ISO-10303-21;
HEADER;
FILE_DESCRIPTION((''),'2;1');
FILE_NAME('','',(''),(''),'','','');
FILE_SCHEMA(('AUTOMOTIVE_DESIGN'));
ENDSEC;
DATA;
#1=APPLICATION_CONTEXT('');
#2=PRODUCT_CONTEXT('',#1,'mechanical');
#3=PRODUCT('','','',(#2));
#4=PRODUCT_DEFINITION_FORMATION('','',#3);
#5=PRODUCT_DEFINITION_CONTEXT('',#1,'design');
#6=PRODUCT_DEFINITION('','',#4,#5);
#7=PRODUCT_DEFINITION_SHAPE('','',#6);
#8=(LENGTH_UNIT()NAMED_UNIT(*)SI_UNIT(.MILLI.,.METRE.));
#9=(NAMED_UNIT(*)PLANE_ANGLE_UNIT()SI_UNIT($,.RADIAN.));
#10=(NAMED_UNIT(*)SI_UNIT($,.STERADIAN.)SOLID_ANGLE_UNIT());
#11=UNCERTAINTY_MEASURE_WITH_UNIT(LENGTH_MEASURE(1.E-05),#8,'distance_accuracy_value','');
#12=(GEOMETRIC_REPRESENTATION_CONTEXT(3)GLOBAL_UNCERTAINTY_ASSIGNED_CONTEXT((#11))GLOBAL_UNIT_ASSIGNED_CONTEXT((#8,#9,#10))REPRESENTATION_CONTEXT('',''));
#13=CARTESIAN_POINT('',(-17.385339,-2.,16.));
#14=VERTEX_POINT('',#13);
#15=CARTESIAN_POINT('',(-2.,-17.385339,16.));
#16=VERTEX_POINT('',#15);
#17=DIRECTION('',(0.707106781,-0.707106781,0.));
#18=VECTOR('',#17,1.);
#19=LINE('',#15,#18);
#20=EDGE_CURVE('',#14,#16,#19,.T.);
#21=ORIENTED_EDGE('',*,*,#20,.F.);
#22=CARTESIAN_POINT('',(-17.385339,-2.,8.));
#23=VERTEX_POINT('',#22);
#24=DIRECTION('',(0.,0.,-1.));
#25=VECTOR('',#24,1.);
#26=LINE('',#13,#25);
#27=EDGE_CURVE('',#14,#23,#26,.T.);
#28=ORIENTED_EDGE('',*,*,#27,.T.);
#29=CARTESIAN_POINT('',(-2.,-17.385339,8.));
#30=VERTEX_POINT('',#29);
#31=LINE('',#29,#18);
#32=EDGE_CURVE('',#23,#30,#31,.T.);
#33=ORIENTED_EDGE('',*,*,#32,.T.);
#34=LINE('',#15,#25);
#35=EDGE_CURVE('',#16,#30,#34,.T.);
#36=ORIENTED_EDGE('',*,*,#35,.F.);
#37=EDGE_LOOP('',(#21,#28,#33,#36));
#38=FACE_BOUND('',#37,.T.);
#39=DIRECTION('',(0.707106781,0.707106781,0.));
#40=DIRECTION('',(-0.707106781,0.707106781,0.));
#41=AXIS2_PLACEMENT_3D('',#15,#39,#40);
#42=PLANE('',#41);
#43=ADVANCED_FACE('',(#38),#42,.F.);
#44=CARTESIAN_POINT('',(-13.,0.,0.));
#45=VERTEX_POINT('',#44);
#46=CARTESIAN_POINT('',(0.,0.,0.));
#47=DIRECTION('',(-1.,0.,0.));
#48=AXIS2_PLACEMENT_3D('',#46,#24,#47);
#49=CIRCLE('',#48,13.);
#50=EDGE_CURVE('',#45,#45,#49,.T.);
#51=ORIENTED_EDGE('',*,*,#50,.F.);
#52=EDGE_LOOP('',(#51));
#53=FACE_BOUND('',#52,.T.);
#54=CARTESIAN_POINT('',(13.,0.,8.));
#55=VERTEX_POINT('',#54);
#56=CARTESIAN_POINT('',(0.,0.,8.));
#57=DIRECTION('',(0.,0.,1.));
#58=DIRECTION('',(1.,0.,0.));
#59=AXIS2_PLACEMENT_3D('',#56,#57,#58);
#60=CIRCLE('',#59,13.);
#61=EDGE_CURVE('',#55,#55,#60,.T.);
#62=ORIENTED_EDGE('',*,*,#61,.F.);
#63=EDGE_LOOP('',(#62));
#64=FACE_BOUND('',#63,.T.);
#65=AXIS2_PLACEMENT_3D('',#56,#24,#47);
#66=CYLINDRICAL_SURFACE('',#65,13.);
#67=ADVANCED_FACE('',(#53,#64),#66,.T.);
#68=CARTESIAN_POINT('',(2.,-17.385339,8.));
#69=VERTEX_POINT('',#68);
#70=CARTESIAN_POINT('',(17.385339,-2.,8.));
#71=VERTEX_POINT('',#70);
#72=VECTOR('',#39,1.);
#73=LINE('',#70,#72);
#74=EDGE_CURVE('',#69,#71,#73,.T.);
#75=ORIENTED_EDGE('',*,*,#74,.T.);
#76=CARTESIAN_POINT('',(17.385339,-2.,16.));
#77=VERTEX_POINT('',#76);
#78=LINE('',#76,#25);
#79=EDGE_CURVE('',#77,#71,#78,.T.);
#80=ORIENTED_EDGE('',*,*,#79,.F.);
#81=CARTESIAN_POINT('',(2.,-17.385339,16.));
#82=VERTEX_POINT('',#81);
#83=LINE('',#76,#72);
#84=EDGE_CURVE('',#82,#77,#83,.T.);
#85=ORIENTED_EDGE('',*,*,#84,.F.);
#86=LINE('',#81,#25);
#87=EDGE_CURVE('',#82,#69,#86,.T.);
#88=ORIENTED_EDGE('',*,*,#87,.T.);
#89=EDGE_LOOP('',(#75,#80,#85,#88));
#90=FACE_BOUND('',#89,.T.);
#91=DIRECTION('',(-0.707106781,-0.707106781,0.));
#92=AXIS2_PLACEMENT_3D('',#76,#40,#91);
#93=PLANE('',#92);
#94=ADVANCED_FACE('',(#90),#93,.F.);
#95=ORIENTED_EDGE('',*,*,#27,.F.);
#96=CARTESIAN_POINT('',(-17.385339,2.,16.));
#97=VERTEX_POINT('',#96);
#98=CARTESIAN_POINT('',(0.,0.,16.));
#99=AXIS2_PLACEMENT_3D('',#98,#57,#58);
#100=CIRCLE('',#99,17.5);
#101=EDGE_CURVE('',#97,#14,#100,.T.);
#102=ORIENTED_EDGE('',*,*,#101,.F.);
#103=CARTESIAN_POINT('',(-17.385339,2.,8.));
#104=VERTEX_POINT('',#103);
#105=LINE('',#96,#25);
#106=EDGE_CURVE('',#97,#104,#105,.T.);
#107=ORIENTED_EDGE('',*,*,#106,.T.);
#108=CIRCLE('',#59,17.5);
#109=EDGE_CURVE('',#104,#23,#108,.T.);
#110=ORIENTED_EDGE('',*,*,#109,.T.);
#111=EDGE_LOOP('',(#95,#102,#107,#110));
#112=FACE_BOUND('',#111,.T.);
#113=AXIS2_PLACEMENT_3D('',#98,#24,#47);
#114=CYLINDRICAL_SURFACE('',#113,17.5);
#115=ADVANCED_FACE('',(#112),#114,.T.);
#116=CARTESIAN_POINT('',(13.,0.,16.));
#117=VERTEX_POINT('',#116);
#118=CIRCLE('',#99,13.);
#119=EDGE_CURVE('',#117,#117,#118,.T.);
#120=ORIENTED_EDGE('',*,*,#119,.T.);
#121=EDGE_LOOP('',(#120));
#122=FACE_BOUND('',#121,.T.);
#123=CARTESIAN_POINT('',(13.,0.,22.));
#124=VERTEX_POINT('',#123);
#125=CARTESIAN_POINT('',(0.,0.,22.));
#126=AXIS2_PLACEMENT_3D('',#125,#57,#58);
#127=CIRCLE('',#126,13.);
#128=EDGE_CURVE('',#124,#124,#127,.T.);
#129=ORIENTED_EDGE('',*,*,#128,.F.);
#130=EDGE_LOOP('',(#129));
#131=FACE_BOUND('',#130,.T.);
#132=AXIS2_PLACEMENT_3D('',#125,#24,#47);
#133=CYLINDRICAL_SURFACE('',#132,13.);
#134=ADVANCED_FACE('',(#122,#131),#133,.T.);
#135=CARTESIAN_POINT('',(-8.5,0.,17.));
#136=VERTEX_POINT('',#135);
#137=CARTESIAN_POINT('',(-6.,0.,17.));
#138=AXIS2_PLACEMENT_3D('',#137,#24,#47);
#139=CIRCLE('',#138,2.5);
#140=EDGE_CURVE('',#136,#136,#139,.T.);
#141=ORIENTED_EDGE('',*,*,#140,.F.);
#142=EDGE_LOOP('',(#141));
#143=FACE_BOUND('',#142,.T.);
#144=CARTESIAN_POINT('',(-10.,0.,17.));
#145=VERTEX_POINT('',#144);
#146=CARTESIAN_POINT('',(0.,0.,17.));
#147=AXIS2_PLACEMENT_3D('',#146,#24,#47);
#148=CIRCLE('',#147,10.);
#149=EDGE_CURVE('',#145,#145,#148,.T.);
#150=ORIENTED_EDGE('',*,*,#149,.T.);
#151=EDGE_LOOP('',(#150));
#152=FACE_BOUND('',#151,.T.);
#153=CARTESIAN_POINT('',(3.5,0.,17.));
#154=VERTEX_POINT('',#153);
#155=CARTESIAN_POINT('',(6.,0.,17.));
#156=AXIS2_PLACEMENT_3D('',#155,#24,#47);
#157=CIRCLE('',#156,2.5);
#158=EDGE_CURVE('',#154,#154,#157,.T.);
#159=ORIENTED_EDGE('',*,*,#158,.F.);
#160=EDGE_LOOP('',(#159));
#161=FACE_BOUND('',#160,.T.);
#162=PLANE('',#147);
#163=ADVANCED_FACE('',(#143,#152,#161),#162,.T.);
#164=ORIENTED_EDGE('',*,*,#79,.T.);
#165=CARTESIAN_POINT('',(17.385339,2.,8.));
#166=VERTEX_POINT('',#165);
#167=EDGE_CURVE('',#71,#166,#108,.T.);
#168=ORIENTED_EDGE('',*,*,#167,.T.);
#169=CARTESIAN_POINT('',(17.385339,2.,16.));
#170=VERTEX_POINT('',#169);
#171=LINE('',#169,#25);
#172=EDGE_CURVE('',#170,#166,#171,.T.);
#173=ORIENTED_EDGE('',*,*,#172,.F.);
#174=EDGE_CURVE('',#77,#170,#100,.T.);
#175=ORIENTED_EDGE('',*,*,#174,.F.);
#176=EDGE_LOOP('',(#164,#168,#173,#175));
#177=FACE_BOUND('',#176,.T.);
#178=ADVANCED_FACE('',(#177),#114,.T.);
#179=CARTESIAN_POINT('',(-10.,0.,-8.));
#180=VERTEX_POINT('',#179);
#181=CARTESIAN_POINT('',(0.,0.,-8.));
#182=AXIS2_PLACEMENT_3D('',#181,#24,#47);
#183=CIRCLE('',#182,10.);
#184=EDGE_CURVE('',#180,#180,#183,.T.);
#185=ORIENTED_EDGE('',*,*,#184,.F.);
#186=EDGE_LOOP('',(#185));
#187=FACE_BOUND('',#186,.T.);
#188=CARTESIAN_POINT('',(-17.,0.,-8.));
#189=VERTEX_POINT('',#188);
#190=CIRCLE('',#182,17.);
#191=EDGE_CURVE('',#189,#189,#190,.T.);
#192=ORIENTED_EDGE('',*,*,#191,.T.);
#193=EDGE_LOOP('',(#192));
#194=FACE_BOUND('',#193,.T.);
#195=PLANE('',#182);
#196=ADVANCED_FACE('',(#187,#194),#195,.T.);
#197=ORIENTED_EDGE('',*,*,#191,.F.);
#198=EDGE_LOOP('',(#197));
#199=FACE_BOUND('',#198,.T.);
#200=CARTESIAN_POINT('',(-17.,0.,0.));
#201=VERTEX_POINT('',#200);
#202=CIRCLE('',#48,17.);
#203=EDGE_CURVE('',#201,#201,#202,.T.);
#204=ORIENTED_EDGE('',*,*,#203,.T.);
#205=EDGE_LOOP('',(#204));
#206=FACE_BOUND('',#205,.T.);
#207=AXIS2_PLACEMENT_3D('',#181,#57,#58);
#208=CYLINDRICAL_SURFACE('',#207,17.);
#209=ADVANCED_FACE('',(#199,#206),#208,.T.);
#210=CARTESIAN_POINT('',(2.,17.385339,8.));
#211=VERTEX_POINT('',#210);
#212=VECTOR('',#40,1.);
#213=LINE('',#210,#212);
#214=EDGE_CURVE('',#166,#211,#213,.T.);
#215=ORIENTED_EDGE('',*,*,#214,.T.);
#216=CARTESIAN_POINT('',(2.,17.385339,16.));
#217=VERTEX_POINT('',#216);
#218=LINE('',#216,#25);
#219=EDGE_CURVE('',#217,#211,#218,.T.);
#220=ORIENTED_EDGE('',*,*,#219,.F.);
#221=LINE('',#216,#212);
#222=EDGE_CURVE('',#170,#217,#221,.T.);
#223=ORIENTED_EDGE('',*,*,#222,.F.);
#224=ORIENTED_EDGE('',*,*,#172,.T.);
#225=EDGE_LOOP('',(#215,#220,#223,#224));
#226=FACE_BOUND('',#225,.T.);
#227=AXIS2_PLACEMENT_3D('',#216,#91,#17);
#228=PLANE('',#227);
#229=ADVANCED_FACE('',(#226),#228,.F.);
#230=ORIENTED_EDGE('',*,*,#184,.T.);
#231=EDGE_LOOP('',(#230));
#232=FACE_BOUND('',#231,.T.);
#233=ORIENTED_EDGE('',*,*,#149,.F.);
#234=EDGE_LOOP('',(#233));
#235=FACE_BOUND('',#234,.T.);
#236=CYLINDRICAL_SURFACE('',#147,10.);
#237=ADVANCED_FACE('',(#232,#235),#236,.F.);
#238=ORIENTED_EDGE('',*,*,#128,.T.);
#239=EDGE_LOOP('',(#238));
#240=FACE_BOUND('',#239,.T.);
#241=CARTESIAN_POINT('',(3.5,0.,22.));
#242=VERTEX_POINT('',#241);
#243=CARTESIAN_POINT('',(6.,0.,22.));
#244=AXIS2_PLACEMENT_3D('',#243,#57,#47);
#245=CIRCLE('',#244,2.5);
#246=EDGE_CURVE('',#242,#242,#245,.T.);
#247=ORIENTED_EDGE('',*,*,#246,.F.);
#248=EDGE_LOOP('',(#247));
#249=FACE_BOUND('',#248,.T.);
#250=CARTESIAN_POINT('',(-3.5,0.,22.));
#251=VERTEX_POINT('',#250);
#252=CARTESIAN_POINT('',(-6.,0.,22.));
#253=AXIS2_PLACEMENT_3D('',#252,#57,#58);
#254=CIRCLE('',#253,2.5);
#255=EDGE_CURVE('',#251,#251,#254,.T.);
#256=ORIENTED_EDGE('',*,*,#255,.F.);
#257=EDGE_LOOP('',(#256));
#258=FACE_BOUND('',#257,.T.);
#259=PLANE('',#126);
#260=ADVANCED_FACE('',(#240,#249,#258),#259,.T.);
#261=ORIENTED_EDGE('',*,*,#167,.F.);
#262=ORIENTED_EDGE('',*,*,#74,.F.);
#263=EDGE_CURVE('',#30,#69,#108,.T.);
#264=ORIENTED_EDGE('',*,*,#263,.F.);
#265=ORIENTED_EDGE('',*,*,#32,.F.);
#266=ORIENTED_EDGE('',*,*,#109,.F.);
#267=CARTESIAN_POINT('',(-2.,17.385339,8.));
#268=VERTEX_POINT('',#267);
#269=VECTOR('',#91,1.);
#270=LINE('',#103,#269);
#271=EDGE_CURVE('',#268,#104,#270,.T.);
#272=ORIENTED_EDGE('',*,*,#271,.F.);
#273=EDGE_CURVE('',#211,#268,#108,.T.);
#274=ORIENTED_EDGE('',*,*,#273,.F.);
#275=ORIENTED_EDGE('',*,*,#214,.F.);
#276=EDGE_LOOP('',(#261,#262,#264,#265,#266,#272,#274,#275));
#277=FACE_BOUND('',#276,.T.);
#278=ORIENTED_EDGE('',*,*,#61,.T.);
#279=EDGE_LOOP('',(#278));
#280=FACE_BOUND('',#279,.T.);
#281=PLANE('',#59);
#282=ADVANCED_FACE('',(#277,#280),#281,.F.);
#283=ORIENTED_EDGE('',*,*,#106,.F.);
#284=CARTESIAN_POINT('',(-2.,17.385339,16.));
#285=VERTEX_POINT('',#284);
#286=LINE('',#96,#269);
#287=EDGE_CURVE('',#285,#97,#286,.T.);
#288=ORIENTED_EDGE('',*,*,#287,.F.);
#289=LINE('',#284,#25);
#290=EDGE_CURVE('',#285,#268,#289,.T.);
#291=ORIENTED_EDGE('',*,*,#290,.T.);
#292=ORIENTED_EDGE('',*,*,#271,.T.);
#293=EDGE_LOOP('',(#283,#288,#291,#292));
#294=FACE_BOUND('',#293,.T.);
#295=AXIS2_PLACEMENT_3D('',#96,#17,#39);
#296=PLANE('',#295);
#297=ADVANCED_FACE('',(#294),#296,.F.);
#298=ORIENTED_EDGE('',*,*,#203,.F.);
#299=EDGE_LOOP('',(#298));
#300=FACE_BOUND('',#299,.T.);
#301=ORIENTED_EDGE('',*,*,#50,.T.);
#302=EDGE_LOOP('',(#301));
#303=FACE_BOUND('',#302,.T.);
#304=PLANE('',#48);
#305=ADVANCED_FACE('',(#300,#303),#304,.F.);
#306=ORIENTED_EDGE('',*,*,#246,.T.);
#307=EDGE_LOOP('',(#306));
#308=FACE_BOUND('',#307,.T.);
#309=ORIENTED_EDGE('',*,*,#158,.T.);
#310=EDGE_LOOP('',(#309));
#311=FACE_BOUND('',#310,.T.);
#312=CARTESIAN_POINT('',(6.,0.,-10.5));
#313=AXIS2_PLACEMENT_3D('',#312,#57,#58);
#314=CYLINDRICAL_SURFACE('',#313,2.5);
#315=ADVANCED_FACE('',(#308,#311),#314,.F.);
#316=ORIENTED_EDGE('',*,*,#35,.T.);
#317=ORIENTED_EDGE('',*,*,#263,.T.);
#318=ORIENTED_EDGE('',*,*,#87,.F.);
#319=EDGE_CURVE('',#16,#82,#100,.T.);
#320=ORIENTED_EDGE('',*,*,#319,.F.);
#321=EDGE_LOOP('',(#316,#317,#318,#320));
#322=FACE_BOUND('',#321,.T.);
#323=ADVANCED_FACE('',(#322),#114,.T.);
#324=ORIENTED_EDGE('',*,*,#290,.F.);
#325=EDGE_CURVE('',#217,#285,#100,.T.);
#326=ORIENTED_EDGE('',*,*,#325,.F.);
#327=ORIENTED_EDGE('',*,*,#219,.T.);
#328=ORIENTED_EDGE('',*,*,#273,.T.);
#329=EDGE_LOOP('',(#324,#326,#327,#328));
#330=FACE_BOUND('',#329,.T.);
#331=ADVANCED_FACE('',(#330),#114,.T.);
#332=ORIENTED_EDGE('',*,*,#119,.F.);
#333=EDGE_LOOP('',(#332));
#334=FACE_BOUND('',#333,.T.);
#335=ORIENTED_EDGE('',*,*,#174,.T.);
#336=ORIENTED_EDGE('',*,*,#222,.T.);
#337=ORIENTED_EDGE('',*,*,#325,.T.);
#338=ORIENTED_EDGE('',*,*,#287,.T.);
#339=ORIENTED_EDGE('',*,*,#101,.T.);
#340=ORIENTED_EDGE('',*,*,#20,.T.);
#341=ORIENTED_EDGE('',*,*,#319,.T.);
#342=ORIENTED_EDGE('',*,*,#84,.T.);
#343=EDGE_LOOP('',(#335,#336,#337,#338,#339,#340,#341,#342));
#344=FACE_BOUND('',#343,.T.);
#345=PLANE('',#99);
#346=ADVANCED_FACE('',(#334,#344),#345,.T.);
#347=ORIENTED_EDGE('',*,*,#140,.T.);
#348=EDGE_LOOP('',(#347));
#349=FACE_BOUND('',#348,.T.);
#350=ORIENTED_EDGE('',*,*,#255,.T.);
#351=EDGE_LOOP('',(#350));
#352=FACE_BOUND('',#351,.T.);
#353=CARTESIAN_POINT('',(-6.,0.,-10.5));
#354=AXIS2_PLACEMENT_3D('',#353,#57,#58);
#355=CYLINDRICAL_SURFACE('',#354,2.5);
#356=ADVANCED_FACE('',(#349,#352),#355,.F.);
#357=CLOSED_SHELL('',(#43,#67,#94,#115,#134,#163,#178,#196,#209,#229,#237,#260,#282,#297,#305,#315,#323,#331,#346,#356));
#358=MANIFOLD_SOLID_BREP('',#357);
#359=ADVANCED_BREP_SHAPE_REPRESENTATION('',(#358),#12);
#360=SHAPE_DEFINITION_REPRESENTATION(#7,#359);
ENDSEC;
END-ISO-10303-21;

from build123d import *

# Parameters (mm, degrees)
SKETCH_1_R               = 13
EXTRUDE_1_DEPTH          = 8
SKETCH_2_R               = 17
EXTRUDE_2_DEPTH          = 8
EXTRUDE_3_DEPTH          = 8
SKETCH_4_R               = 13
EXTRUDE_4_DEPTH          = 6
SKETCH_5_R               = 10
CUT_EXTRUDE_1_DEPTH      = 25
SKETCH_7_R               = 2.5
CUT_EXTRUDE_3_DEPTH      = 32.5
PATTERN_CIRCULAR_1_COUNT = 2


with BuildPart() as part:
    # 草图1 → 凸台-拉伸1 (new body)
    with BuildSketch(Plane.XY):
        Circle(SKETCH_1_R)
    extrude(amount=EXTRUDE_1_DEPTH)

    # 草图2 → 凸台-拉伸2 (add)
    with BuildSketch(Plane(origin=(0, 0, 0), x_dir=(-1, 0, 0), z_dir=(0, 0, -1))):
        Circle(SKETCH_2_R)
    extrude(amount=EXTRUDE_2_DEPTH)

    # 草图3 → 凸台-拉伸3 (add)
    with BuildSketch(Plane.XY.offset(8)):
        with BuildLine():
            Line((2, 17.385338651), (17.385338651, 2))
            ThreePointArc((17.385338651, 2), (17.5, 0), (17.385338651, -2))
            Line((17.385338651, -2), (2, -17.385338651))
            ThreePointArc((2, -17.385338651), (0, -17.5), (-2, -17.385338651))
            Line((-2, -17.385338651), (-17.385338651, -2))
            ThreePointArc((-17.385338651, -2), (-17.5, 0), (-17.385338651, 2))
            Line((-17.385338651, 2), (-2, 17.385338651))
            ThreePointArc((-2, 17.385338651), (0, 17.5), (2, 17.385338651))
        make_face()
    extrude(amount=EXTRUDE_3_DEPTH)

    # 草图4 → 凸台-拉伸4 (add)
    with BuildSketch(Plane.XY.offset(16)):
        Circle(SKETCH_4_R)
    extrude(amount=EXTRUDE_4_DEPTH)

    # 草图5 → 切除-拉伸1 (cut)
    with BuildSketch(Plane(origin=(0, 0, -8), x_dir=(-1, 0, 0), z_dir=(0, 0, -1))):
        Circle(SKETCH_5_R)
    extrude(amount=-CUT_EXTRUDE_1_DEPTH, mode=Mode.SUBTRACT)

    # 草图7 → 切除-拉伸3 (cut)
    with BuildSketch(Plane.XY.offset(22)):
        with Locations((-6, 0)):
            Circle(SKETCH_7_R)
    cut_extrude_3 = extrude(amount=-CUT_EXTRUDE_3_DEPTH, mode=Mode.SUBTRACT)

    # 阵列(圆周)1: 切除-拉伸3 ×2 about axis
    pattern_circular_1_axis = Axis((0, 0, 0), (0, 0, 1))
    for i in range(1, PATTERN_CIRCULAR_1_COUNT):
        add(cut_extrude_3.rotate(pattern_circular_1_axis, i * 360 / PATTERN_CIRCULAR_1_COUNT), mode=Mode.SUBTRACT)


solid = part.part
